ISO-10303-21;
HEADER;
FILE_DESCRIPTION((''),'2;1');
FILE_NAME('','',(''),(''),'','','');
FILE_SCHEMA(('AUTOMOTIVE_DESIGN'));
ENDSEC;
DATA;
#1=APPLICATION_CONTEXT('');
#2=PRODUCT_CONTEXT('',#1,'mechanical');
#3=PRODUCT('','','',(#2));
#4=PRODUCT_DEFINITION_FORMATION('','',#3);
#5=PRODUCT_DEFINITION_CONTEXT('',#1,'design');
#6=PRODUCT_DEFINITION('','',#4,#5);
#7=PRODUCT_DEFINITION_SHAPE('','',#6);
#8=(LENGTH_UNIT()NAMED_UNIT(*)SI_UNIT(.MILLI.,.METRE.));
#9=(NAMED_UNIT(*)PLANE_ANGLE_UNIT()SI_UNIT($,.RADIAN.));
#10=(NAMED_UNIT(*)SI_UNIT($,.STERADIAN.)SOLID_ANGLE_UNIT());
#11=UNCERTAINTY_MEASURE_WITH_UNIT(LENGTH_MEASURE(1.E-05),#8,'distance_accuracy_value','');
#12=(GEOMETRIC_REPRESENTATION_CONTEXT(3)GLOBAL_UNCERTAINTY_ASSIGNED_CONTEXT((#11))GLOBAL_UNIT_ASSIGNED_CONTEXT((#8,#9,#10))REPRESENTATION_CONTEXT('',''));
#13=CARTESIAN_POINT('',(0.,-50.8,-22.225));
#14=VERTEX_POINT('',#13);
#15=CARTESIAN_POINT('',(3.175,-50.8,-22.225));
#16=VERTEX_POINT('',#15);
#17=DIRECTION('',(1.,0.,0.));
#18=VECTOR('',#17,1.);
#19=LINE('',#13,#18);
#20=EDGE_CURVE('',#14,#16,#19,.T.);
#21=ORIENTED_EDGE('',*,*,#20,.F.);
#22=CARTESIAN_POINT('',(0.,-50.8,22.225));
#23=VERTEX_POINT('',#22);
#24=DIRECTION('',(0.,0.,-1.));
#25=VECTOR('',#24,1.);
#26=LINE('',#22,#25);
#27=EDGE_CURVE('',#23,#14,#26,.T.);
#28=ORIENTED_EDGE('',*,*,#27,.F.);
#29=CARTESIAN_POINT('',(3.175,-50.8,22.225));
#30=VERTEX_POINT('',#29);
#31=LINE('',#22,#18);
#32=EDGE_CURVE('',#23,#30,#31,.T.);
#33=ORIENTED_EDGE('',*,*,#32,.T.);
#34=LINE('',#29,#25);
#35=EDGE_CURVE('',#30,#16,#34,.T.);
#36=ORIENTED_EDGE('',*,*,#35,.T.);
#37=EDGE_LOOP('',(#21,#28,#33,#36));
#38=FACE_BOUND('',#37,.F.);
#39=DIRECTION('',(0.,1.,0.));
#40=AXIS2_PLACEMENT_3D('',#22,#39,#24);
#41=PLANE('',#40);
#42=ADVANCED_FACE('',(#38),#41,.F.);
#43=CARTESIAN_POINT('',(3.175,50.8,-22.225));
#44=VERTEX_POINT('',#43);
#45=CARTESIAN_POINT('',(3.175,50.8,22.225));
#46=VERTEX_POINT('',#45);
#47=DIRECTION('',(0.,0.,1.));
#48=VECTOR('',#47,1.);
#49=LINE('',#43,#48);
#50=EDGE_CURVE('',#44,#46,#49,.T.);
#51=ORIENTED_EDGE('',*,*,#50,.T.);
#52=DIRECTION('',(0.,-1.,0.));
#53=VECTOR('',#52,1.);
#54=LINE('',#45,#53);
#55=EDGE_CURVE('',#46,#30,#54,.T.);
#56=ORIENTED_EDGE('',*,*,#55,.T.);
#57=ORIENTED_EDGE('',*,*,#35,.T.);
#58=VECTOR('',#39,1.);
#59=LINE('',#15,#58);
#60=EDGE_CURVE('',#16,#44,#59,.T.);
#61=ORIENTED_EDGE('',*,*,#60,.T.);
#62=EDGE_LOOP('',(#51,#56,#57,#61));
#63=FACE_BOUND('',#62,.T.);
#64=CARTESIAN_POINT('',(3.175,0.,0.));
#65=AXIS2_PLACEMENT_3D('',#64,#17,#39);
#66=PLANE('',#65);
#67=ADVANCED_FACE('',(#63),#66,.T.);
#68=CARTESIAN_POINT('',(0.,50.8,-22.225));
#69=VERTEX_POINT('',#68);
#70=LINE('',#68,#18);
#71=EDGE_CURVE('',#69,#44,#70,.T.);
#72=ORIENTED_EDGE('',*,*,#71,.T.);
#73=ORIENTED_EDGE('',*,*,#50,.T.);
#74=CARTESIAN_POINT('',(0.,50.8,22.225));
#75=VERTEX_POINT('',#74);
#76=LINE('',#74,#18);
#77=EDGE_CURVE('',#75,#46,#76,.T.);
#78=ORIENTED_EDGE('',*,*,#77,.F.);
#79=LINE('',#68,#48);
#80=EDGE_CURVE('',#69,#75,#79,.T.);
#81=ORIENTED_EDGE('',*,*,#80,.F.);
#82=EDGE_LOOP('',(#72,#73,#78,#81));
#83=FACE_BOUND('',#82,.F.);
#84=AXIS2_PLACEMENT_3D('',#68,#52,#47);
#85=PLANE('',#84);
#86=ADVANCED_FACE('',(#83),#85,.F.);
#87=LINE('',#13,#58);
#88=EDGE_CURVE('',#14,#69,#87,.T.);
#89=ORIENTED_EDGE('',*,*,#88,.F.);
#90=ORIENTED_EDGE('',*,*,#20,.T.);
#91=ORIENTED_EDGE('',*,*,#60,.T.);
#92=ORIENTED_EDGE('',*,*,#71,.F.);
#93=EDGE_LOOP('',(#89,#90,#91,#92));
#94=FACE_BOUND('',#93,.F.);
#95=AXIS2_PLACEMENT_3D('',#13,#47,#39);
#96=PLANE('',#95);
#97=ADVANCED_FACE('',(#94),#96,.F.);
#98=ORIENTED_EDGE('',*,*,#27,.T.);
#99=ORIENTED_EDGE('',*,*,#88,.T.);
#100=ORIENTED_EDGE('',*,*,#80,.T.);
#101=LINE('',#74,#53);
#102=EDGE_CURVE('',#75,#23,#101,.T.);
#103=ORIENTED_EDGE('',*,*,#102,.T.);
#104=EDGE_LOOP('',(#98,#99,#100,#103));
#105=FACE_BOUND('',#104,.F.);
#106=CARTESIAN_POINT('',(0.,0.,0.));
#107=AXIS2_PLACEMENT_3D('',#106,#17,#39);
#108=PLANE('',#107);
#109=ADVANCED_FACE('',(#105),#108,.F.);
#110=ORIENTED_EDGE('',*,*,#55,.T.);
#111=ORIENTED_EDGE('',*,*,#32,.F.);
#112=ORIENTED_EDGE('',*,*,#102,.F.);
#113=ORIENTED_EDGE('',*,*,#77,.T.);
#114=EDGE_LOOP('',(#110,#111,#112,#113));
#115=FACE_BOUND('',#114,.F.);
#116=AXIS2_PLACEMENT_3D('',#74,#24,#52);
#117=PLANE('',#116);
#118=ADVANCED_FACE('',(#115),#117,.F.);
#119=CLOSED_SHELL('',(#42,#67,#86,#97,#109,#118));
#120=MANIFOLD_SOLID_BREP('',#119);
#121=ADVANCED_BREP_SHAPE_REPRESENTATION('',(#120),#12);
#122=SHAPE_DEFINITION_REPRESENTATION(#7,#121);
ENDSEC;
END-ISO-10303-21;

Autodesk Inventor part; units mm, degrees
ref_plane "YZ Plane" through (0, 0, 0) normal (1, 0, 0) x (0, 1, 0)
ref_plane "XZ Plane" through (0, 0, 0) normal (0, 1, 0) x (-1, 0, 0)
ref_plane "XY Plane" through (0, 0, 0) normal (0, 0, 1) x (1, 0, 0)
sketch "Sketch1" plane through (0, 0, 0) normal (1, 0, 0) x (0, 1, 0)
  line L0 (50.8, 22.225) -> (-50.8, 22.225)
  line L1 (-50.8, 22.225) -> (-50.8, -22.225)
  line L2 (-50.8, -22.225) -> (50.8, -22.225)
  line L3 (50.8, -22.225) -> (50.8, 22.225)
  line L4 (50.8, 22.225) -> (-50.8, -22.225) construction
  line L5 (-50.8, 22.225) -> (50.8, -22.225) construction
  point P0 (0, 0)
  dimension "d0" = 101.6
  dimension "d1" = 44.45
extrude "Extrusion1" add sketch "Sketch1" along normal blind 3.175
properties part number "Top Plate" material "UHMW, White"
